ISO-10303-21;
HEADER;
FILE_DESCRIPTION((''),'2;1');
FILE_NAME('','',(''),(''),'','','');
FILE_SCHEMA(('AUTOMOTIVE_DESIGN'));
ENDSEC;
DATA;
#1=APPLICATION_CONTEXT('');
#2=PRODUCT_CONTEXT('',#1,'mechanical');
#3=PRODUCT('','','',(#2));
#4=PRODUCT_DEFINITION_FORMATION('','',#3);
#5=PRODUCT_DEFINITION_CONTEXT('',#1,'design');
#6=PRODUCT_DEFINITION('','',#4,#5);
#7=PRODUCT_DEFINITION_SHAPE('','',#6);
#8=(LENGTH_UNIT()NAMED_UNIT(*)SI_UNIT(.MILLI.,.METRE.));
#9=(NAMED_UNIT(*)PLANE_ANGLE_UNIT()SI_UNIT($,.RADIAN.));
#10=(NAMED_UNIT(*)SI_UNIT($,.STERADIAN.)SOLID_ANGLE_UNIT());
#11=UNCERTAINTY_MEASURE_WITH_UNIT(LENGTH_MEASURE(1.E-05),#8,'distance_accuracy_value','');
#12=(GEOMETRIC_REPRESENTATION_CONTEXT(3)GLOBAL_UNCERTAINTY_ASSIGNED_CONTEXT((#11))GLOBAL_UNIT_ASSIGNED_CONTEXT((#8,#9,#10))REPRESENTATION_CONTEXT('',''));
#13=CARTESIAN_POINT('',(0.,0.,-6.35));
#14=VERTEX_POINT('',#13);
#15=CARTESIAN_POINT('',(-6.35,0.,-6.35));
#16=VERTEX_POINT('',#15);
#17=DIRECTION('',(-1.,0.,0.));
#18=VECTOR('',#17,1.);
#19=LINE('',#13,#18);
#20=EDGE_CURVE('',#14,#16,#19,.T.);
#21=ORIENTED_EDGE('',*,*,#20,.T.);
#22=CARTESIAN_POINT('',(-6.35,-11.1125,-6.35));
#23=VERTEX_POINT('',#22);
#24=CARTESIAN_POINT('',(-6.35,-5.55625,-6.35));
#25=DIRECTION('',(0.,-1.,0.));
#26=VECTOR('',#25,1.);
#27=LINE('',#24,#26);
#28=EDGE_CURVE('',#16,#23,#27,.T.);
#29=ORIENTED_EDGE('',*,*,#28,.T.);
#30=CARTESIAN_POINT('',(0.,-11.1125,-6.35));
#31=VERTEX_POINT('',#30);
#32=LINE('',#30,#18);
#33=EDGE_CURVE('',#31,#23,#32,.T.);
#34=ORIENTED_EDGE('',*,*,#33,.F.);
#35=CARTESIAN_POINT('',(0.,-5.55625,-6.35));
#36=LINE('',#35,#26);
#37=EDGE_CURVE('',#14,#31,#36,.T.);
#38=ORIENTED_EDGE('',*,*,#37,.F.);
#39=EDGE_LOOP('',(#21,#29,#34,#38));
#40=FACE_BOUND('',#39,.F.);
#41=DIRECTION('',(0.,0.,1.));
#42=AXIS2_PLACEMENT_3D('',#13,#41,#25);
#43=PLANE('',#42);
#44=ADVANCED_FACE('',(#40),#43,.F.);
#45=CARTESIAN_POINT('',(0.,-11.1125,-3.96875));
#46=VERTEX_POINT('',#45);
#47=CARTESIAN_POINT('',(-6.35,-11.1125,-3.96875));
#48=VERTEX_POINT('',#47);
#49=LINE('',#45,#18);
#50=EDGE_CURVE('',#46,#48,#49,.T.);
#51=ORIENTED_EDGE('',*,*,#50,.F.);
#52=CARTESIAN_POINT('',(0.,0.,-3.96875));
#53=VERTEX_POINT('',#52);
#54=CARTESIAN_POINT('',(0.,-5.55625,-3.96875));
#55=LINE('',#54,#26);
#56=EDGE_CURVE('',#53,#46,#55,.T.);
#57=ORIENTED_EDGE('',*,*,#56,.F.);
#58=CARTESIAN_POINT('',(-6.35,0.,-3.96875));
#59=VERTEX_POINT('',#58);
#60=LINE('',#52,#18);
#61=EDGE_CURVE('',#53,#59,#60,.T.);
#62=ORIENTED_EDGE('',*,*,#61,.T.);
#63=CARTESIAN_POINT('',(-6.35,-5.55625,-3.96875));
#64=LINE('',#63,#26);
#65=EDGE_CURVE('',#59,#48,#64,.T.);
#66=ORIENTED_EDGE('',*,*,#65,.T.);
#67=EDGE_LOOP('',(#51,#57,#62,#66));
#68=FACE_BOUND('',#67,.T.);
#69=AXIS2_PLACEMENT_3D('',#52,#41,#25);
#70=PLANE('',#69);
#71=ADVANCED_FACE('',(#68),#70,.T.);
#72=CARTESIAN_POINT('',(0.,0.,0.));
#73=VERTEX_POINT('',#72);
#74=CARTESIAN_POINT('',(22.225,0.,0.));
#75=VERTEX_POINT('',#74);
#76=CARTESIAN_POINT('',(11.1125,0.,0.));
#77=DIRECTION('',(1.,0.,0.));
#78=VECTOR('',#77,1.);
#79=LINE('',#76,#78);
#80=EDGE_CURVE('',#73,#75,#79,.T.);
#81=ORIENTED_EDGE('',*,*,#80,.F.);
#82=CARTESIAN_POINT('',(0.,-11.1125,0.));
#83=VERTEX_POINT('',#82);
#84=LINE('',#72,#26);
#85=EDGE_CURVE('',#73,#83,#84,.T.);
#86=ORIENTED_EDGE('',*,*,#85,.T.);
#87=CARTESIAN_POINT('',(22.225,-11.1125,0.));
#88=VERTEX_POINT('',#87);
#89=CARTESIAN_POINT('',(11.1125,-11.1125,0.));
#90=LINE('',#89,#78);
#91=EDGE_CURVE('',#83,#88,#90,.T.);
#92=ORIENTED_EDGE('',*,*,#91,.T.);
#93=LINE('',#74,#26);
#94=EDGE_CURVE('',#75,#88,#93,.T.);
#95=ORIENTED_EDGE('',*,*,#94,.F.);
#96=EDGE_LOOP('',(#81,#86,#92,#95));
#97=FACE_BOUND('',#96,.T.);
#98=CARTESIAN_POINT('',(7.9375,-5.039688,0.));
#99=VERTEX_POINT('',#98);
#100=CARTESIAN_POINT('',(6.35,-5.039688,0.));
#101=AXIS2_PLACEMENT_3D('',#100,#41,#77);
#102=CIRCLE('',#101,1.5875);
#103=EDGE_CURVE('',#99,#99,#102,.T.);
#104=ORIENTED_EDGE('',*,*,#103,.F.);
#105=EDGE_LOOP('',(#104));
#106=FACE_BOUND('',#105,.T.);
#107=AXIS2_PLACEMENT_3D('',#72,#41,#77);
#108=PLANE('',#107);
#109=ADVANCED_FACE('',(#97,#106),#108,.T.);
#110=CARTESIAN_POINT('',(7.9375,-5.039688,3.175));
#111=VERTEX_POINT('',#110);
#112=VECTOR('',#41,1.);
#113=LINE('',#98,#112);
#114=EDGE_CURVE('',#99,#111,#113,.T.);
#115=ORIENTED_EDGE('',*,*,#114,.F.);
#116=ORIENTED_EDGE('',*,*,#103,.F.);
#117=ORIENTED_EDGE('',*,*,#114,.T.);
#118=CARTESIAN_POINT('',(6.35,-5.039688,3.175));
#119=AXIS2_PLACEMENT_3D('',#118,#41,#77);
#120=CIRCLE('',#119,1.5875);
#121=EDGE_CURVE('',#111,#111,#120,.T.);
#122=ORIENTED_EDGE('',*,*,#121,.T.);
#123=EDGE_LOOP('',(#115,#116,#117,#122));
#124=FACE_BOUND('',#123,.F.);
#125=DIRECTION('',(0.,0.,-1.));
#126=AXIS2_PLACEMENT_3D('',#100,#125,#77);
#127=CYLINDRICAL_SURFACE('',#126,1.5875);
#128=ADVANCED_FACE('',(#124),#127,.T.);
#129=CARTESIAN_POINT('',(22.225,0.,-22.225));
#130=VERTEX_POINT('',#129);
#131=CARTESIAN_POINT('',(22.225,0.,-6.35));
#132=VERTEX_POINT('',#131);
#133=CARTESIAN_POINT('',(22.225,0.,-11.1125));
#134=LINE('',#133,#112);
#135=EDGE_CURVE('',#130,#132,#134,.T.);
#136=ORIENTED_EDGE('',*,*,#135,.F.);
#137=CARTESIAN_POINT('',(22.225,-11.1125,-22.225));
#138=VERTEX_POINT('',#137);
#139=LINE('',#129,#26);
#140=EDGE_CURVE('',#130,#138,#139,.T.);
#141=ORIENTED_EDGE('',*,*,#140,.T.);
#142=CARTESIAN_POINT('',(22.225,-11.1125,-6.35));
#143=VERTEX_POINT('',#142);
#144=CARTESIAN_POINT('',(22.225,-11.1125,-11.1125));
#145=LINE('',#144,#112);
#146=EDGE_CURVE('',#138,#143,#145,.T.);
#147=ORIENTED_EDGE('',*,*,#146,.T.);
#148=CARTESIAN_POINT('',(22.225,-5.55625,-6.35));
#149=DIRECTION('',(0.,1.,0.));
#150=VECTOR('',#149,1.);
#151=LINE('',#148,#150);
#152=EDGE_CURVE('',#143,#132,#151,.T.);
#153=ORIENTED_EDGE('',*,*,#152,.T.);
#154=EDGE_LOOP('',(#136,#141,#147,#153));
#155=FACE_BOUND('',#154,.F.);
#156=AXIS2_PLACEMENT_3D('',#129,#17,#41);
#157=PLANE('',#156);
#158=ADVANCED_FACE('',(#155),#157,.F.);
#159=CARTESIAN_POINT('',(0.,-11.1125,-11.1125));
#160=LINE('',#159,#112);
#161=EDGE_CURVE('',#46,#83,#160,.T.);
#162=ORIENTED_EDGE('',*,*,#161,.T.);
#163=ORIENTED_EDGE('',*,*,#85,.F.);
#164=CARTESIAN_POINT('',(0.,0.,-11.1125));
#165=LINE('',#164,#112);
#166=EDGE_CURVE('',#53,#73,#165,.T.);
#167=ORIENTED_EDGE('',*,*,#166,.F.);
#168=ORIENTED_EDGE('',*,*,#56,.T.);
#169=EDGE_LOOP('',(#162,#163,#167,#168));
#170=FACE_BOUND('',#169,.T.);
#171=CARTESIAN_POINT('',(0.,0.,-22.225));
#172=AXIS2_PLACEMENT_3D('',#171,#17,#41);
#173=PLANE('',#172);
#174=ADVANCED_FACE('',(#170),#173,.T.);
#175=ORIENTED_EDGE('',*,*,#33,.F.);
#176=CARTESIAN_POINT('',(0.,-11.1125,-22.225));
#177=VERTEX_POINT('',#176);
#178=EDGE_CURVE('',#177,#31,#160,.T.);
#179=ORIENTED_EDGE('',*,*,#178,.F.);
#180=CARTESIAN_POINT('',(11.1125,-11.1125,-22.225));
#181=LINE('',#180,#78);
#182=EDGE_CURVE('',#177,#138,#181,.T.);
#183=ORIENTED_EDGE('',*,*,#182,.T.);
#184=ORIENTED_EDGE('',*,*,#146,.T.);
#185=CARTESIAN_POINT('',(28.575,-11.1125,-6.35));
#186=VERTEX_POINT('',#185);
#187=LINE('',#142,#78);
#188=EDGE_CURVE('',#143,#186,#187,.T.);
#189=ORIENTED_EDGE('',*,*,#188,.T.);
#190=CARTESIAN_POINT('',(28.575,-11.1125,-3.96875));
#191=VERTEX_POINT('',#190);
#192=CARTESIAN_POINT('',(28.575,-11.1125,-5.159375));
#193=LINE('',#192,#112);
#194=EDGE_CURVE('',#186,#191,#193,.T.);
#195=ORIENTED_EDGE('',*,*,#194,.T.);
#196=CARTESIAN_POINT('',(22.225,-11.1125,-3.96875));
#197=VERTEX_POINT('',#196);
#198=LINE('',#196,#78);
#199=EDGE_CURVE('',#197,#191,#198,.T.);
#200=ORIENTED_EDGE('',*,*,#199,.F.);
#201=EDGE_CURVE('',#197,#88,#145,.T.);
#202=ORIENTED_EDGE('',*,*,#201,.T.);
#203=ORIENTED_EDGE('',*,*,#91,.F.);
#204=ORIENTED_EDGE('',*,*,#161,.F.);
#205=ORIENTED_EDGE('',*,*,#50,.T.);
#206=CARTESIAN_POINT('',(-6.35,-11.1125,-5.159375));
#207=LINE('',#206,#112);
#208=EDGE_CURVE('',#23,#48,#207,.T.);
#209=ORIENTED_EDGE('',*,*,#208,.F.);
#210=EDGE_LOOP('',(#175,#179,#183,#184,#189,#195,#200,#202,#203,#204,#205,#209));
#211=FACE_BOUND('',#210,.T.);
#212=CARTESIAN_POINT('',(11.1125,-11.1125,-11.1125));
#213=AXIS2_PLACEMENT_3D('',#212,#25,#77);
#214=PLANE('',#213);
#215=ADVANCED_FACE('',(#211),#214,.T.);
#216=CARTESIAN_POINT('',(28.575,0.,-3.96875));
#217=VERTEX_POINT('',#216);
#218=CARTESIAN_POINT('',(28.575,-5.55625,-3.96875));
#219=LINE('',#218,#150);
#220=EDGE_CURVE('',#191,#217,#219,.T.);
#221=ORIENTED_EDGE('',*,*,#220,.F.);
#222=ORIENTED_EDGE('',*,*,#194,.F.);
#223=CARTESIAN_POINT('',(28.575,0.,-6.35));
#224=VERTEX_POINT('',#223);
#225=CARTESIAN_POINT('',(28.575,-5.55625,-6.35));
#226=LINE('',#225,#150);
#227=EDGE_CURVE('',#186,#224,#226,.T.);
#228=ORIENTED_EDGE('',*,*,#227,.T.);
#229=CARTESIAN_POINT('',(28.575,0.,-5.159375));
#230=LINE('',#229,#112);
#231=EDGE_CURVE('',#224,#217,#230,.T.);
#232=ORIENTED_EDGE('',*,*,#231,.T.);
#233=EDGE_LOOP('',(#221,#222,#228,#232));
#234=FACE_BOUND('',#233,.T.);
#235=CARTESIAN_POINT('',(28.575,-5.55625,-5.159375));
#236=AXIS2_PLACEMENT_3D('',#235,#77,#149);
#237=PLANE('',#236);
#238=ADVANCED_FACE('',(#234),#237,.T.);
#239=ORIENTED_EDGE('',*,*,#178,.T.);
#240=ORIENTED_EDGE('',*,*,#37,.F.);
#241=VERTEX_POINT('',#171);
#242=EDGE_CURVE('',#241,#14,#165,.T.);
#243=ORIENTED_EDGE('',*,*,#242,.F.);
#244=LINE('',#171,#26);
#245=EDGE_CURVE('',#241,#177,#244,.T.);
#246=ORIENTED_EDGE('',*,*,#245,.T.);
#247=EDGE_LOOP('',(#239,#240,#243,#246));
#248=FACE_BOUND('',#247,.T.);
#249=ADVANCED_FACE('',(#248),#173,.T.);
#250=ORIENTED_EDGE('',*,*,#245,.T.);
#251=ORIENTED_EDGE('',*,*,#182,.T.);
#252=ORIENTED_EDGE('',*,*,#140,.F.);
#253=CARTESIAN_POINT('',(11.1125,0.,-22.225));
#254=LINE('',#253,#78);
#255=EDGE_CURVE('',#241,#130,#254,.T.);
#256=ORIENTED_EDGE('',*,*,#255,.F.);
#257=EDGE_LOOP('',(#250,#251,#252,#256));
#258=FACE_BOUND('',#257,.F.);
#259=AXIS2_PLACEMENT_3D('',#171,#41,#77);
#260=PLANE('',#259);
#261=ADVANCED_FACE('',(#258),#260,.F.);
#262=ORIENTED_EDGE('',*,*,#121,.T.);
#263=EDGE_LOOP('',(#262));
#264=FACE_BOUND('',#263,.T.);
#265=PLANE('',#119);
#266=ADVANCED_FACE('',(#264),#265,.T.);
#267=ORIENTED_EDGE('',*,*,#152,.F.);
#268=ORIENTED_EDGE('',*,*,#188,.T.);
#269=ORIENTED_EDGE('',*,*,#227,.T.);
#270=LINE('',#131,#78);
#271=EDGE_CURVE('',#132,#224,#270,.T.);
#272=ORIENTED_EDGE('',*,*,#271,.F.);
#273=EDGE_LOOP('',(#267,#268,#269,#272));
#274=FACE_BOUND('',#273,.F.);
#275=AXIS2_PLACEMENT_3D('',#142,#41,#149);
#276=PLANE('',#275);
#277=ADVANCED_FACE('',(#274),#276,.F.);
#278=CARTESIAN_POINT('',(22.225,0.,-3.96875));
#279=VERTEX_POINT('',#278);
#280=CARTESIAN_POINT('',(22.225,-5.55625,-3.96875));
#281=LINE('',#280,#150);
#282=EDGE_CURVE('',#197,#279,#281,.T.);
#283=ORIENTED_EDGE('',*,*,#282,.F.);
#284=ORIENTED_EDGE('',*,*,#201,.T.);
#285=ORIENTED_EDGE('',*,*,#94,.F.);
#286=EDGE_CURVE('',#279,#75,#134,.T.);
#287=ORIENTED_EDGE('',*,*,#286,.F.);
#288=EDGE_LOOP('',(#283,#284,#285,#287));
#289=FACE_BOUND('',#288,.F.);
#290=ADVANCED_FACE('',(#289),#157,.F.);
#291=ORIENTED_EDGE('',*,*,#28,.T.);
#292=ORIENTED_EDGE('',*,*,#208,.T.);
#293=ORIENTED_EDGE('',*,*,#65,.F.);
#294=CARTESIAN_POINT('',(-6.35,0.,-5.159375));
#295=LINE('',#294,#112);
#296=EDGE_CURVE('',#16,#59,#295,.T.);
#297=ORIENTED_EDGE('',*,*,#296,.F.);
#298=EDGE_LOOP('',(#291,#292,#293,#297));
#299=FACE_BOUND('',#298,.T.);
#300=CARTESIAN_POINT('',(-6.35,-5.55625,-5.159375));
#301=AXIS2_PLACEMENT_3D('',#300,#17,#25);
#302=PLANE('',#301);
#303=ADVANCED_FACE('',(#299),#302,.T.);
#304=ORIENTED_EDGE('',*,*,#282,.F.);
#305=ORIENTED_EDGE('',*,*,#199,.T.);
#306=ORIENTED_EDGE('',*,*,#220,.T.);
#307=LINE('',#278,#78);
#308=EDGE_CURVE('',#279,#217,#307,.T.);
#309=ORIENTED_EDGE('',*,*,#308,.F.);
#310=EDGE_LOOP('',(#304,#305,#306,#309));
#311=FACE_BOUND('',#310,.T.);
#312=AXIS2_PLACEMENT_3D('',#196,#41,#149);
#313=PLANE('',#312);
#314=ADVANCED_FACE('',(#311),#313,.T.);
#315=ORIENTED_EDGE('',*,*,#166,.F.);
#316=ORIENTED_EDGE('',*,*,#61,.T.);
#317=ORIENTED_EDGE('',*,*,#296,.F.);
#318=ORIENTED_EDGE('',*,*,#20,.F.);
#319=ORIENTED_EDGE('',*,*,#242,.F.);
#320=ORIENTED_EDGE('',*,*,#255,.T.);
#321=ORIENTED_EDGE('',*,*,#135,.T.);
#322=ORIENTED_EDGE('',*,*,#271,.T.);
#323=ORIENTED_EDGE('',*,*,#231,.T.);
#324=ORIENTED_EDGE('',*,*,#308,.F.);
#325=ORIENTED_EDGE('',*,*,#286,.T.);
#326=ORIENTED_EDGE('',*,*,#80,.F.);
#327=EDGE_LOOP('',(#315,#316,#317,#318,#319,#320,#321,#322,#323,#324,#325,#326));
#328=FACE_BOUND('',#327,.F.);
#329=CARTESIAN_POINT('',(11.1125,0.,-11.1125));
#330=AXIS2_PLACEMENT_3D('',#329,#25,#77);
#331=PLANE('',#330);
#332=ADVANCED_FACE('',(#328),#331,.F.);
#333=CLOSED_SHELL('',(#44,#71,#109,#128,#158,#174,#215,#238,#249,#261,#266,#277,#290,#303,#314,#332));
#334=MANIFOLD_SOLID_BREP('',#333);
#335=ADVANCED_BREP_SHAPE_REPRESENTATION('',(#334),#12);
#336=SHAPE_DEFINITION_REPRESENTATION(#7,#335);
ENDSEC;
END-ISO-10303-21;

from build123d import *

# Parameters (mm, degrees)
F0_W     = 22.225
F0_H     = 22.225
F1_DEPTH = 11.1125
F2_W     = 11.1125
F2_H     = 2.38125
F3_DEPTH = 6.35
F4_W     = 11.1125
F4_H     = 2.38125
F5_DEPTH = 6.35
F6_R     = 1.5875
F7_DEPTH = 3.175


with BuildPart() as f1:
    # F0 (on Front) → F1 (new body)
    with BuildSketch(Plane.XZ):
        with Locations((11.1125, -11.1125)):
            Rectangle(F0_W, F0_H)
    extrude(amount=F1_DEPTH)

    # F2 (on face) → F3 (join)
    with BuildSketch(Plane.YZ.offset(22.225)):
        with Locations((-5.55625, -5.159375)):
            Rectangle(F2_W, F2_H)
    extrude(amount=F3_DEPTH)

    # F4 (on face) → F5 (join)
    with BuildSketch(Plane(origin=(0, 0, 0), x_dir=(0, -1, 0), z_dir=(-1, 0, 0))):
        with Locations((5.55625, -5.159375)):
            Rectangle(F4_W, F4_H)
    extrude(amount=F5_DEPTH)

    # F6 (on face) → F7 (join)
    with BuildSketch(Plane.XY):
        with Locations((6.35, -5.039688)):
            Circle(F6_R)
    extrude(amount=F7_DEPTH)


solid = f1.part
